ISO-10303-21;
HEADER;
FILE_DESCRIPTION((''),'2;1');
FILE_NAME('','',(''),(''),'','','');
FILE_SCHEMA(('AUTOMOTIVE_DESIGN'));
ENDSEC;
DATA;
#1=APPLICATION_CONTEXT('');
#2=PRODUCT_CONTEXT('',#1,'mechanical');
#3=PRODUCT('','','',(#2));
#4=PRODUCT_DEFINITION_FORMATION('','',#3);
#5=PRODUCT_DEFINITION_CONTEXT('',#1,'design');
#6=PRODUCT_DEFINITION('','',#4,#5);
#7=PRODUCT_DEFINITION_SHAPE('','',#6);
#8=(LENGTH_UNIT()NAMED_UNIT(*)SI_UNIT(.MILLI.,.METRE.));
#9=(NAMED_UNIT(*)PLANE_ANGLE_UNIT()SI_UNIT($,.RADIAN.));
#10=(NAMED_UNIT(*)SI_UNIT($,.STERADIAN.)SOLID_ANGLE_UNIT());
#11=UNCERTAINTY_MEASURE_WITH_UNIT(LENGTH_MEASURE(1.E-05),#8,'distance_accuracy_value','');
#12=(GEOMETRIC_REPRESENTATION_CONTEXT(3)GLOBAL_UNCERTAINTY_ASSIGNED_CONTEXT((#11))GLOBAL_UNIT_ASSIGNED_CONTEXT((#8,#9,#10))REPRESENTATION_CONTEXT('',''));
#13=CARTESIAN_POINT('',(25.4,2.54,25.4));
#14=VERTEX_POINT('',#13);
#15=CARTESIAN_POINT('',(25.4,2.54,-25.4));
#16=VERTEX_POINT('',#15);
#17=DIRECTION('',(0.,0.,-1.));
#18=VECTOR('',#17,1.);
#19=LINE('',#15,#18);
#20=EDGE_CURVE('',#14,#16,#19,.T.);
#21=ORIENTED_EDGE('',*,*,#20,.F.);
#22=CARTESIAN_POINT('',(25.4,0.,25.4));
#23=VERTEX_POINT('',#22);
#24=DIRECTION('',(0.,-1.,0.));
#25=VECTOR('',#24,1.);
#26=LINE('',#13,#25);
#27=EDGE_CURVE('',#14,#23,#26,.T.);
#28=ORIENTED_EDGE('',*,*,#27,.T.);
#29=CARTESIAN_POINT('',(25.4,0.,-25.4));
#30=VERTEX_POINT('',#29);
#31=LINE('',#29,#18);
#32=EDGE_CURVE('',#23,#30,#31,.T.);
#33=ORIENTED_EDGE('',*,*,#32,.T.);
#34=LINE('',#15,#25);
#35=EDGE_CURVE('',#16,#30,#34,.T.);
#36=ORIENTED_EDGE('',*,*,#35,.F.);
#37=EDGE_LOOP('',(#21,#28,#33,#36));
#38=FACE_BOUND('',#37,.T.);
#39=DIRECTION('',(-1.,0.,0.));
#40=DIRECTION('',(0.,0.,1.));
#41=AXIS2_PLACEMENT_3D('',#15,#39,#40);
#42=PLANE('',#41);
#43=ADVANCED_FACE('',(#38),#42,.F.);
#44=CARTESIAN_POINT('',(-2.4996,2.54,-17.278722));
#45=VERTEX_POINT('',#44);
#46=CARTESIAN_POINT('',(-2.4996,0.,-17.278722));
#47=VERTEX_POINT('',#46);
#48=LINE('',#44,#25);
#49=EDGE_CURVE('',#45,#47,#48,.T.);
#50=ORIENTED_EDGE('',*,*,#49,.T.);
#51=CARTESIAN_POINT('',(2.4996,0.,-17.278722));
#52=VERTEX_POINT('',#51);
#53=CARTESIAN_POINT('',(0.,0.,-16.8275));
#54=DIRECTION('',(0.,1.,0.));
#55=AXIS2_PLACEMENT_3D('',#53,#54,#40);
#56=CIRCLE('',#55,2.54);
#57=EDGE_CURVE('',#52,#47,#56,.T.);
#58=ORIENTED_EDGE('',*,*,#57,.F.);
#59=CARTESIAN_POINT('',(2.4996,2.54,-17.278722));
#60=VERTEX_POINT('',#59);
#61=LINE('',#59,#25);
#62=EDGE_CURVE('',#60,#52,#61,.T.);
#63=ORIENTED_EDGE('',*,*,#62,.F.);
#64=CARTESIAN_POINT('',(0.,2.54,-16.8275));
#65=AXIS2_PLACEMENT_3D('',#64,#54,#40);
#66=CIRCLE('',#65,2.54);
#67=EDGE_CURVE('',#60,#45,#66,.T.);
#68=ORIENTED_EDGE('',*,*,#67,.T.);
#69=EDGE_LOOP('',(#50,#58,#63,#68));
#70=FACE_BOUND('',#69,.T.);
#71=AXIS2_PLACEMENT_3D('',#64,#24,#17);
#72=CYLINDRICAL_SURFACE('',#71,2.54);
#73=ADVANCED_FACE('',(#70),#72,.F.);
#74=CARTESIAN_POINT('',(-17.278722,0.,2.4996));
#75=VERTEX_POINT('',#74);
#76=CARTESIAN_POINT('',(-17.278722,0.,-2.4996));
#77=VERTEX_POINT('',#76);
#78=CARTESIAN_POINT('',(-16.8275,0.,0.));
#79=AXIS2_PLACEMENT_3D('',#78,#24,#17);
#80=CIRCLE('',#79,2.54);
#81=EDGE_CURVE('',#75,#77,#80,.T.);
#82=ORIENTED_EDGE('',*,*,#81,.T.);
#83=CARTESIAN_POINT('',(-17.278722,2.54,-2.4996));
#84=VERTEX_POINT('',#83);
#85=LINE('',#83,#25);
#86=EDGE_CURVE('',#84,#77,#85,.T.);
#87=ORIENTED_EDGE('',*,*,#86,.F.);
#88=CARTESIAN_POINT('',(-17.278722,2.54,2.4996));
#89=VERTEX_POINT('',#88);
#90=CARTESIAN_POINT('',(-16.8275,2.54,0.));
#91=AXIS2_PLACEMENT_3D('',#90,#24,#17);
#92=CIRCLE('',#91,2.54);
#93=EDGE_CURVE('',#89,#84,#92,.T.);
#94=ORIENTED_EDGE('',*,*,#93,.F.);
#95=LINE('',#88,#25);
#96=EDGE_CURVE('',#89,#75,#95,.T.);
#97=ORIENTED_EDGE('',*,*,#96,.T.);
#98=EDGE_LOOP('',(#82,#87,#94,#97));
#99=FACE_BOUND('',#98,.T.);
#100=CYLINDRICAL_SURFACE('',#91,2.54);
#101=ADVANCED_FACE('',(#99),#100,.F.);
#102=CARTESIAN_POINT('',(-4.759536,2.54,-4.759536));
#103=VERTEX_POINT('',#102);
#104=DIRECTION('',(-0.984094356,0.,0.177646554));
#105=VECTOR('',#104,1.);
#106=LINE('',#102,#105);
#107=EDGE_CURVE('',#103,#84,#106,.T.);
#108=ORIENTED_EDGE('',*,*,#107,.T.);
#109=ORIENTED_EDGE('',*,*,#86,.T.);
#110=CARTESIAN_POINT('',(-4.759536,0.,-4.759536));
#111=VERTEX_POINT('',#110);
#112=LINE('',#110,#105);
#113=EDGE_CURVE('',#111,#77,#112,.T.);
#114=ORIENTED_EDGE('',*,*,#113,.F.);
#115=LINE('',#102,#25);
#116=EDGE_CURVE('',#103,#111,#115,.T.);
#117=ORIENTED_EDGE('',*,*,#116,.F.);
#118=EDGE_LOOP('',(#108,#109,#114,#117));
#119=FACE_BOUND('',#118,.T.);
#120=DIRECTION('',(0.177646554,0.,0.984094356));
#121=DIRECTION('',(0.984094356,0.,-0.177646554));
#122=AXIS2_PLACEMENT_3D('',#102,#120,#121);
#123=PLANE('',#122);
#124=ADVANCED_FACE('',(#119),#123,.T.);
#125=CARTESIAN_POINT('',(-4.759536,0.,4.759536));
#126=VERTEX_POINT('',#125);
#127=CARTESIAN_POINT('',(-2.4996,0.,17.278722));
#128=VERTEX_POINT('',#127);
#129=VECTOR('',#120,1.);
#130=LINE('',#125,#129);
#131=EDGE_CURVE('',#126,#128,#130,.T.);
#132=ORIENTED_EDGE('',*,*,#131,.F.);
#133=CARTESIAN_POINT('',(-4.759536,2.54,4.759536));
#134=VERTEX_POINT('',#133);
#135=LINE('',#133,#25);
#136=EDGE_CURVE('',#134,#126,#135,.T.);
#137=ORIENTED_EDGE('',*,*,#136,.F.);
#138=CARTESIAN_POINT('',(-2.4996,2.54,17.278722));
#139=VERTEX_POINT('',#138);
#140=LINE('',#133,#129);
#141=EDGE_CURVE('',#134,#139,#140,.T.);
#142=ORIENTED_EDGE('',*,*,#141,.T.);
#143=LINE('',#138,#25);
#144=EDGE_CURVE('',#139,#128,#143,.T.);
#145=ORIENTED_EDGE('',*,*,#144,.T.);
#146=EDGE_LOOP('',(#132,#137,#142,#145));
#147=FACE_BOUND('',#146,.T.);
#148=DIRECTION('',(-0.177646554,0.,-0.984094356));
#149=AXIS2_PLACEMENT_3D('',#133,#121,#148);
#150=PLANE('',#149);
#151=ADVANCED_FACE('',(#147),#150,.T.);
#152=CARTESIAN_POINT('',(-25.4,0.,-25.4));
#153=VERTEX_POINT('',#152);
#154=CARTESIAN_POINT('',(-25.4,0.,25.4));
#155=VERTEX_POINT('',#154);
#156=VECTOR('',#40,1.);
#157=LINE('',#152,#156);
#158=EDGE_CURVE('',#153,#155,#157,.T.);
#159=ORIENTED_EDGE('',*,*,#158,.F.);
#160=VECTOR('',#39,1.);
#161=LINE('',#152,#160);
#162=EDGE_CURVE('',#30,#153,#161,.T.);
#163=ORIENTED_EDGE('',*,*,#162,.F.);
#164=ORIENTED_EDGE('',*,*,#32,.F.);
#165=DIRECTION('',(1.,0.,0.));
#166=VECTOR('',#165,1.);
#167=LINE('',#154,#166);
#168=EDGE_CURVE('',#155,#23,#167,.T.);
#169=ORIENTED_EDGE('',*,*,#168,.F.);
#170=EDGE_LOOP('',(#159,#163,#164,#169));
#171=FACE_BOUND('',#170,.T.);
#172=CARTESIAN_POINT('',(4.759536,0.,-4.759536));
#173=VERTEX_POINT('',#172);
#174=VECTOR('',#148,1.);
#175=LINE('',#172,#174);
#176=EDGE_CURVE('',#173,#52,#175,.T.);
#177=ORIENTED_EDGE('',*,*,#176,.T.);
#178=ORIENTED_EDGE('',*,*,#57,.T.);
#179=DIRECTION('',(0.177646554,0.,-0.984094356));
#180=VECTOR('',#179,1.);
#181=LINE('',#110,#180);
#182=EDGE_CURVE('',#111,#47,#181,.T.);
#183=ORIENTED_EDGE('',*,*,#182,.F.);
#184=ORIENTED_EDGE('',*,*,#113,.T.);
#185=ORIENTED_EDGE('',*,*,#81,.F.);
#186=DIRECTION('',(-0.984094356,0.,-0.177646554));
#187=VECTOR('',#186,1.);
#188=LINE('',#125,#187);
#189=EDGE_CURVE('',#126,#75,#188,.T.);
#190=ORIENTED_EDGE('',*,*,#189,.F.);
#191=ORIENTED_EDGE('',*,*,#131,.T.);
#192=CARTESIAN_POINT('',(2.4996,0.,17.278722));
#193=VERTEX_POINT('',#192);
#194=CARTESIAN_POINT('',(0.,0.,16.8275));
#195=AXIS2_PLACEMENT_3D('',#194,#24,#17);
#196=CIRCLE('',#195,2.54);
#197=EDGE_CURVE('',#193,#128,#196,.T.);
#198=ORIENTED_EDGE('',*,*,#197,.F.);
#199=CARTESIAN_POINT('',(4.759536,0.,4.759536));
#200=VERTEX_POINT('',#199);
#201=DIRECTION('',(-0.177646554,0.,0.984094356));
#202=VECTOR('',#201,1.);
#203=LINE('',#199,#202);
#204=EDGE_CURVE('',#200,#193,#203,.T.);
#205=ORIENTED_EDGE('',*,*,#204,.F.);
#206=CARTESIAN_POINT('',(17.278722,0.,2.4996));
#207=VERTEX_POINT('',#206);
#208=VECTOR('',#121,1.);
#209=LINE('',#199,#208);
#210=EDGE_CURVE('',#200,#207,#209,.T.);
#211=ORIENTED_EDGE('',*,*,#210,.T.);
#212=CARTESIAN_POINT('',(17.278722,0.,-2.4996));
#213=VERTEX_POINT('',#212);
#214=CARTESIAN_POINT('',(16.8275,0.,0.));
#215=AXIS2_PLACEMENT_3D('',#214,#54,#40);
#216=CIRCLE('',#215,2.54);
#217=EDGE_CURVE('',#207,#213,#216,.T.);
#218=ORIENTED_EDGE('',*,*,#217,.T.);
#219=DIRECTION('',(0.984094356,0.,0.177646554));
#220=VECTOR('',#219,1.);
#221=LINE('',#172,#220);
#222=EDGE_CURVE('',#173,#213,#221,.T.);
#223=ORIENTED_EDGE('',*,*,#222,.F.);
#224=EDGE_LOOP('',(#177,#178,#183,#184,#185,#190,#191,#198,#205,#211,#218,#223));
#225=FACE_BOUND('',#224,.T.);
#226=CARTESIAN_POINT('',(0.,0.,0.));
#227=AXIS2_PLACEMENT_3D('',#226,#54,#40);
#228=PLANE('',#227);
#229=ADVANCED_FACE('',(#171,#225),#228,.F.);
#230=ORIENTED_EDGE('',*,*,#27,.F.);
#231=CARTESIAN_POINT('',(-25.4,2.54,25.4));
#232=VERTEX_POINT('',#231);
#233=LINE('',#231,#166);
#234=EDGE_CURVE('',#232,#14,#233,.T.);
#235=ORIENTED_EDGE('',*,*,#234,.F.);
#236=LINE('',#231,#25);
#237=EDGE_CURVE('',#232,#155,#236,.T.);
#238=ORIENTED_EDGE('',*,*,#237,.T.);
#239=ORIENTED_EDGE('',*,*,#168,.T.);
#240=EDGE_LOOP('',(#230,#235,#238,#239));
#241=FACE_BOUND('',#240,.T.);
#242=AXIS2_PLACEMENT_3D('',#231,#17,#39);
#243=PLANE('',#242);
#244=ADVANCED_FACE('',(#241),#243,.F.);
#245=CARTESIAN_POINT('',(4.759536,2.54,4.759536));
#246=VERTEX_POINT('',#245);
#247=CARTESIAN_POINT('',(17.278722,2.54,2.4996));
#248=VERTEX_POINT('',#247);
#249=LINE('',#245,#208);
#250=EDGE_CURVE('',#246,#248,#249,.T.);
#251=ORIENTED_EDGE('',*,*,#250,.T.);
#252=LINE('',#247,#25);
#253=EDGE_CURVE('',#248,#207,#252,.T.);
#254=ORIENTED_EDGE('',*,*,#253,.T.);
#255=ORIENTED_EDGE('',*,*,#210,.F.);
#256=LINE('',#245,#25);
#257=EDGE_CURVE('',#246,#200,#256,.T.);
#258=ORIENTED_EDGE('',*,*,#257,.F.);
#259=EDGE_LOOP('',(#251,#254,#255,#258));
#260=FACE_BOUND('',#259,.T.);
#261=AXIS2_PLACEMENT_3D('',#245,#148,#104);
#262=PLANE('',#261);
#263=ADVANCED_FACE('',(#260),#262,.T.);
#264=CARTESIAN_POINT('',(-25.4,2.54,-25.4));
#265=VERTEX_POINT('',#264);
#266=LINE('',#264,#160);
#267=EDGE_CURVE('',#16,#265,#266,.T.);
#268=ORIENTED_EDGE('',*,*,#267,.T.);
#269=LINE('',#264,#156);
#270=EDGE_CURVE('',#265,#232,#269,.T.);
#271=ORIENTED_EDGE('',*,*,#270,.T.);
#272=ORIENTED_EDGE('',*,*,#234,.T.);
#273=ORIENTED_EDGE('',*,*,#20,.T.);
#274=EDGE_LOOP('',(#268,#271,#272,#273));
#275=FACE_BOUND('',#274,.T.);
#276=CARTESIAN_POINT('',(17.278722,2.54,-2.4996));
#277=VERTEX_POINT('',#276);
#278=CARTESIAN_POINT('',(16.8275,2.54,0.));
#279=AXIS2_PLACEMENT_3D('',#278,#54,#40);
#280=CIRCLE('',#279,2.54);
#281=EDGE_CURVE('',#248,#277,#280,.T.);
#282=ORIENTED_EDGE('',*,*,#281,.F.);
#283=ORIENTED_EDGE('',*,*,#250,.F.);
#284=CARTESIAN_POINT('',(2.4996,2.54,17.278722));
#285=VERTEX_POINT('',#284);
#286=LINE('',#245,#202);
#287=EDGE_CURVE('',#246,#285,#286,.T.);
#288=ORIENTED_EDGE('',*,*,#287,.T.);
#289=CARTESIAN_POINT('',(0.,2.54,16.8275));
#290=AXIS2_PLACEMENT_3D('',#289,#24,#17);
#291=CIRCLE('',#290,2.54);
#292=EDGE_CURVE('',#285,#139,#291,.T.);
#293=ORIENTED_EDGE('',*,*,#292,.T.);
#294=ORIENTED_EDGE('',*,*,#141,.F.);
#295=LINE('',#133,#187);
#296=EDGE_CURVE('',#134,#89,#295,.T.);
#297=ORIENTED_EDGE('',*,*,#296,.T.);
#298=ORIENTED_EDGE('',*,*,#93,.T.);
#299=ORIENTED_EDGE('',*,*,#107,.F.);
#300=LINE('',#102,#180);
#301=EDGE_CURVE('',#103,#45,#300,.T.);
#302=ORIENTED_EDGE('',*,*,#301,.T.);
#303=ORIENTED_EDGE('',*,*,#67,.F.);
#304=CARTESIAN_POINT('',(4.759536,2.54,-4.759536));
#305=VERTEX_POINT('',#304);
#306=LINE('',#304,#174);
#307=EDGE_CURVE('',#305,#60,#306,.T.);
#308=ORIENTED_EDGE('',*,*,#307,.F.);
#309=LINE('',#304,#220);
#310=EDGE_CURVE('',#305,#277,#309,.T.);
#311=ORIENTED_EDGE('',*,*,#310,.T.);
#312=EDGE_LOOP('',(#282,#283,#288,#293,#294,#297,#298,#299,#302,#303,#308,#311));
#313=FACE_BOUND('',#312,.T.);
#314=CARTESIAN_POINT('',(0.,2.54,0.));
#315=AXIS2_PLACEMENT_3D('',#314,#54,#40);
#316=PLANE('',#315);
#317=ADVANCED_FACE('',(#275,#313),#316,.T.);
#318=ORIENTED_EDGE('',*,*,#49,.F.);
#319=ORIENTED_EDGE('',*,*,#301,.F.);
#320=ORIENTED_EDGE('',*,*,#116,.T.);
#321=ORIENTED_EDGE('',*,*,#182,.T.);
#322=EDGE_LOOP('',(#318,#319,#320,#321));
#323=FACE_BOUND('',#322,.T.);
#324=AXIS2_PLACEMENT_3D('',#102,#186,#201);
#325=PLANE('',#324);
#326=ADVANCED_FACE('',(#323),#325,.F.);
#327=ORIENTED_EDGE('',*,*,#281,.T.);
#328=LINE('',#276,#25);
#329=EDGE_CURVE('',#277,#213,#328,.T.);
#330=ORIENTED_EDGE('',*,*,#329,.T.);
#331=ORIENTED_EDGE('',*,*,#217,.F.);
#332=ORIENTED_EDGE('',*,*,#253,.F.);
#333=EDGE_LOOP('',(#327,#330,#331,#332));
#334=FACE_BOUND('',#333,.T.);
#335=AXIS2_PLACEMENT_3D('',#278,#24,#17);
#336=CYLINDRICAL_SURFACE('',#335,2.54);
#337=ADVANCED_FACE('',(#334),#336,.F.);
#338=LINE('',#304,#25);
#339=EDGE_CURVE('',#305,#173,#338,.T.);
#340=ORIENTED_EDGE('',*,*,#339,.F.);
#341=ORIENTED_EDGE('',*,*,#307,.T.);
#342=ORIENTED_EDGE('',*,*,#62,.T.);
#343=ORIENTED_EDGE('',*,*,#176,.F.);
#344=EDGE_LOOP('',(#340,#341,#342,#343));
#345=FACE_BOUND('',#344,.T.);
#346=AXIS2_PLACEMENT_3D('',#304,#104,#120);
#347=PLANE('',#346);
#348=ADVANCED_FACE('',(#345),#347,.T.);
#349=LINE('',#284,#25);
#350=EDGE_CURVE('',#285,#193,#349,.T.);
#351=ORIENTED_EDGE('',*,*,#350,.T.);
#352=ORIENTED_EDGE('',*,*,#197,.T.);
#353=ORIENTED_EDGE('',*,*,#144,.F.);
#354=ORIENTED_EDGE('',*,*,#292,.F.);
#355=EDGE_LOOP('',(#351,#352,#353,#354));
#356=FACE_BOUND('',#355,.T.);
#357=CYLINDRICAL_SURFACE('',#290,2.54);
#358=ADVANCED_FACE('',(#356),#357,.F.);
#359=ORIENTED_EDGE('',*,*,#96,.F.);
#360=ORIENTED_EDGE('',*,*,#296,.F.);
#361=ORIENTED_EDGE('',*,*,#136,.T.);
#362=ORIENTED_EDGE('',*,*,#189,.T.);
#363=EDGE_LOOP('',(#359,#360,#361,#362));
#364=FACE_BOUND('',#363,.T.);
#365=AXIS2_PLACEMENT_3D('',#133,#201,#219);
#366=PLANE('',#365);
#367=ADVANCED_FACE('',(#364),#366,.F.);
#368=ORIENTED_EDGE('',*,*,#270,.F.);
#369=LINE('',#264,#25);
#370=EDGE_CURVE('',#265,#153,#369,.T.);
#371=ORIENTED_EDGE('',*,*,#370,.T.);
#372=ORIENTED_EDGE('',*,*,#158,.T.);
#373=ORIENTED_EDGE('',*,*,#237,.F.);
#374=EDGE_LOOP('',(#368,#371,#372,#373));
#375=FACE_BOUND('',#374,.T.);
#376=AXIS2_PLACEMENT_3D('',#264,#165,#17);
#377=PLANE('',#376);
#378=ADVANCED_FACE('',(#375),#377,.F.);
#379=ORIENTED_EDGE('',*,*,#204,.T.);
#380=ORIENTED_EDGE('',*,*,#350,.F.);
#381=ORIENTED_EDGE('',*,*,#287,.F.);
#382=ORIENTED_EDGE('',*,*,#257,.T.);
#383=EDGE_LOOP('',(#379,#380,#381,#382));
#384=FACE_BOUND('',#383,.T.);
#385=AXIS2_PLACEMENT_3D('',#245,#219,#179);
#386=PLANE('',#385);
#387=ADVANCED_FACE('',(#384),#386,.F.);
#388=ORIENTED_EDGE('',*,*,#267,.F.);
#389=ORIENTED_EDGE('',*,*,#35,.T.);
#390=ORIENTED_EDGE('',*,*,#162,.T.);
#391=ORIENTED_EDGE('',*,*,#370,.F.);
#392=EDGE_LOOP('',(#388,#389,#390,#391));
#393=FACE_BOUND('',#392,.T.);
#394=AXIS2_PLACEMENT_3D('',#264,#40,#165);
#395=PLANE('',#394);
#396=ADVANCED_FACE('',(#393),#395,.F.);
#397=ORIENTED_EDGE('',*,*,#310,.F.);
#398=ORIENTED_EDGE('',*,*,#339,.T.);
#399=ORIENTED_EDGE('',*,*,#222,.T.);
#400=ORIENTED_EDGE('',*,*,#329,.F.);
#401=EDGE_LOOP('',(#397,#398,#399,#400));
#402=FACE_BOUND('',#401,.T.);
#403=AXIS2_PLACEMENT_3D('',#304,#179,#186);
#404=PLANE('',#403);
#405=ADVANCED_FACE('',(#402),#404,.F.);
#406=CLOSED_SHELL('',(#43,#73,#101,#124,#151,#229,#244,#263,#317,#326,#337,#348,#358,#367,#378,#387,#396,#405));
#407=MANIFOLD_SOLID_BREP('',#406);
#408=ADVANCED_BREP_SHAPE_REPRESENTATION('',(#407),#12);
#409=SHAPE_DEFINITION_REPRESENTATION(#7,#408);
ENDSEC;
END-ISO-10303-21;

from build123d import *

# Parameters (mm, degrees)
SKETCH1_W           = 50.8
SKETCH1_H           = 50.8
BOSS_EXTRUDE1_DEPTH = 2.54
CUT_EXTRUDE1_DEPTH  = 3.54


with BuildPart() as part:
    # Sketch1 → Boss-Extrude1 (new body)
    with BuildSketch(Plane(origin=(0, 0, 0), x_dir=(1, 0, 0), z_dir=(0, 1, 0))):
        Rectangle(SKETCH1_W, SKETCH1_H)
    extrude(amount=BOSS_EXTRUDE1_DEPTH)

    # Sketch2 → Cut-Extrude1 (cut, through all)
    with BuildSketch(Plane.XZ):
        with BuildLine():
            Line((-4.759535744, 4.759535744), (-2.499599665, 17.278722247))
            ThreePointArc((-2.499599665, 17.278722247), (0, 19.3675), (2.499599665, 17.278722247))
            Line((2.499599665, 17.278722247), (4.759535744, 4.759535744))
            Line((4.759535744, 4.759535744), (17.278722247, 2.499599665))
            ThreePointArc((17.278722247, 2.499599665), (19.3675, 0), (17.278722247, -2.499599665))
            Line((17.278722247, -2.499599665), (4.759535744, -4.759535744))
            Line((4.759535744, -4.759535744), (2.499599665, -17.278722247))
            ThreePointArc((2.499599665, -17.278722247), (0, -19.3675), (-2.499599665, -17.278722247))
            Line((-2.499599665, -17.278722247), (-4.759535744, -4.759535744))
            Line((-4.759535744, -4.759535744), (-17.278722247, -2.499599665))
            ThreePointArc((-17.278722247, -2.499599665), (-19.3675, 0), (-17.278722247, 2.499599665))
            Line((-17.278722247, 2.499599665), (-4.759535744, 4.759535744))
        make_face()
    extrude(amount=-CUT_EXTRUDE1_DEPTH, mode=Mode.SUBTRACT)


solid = part.part
